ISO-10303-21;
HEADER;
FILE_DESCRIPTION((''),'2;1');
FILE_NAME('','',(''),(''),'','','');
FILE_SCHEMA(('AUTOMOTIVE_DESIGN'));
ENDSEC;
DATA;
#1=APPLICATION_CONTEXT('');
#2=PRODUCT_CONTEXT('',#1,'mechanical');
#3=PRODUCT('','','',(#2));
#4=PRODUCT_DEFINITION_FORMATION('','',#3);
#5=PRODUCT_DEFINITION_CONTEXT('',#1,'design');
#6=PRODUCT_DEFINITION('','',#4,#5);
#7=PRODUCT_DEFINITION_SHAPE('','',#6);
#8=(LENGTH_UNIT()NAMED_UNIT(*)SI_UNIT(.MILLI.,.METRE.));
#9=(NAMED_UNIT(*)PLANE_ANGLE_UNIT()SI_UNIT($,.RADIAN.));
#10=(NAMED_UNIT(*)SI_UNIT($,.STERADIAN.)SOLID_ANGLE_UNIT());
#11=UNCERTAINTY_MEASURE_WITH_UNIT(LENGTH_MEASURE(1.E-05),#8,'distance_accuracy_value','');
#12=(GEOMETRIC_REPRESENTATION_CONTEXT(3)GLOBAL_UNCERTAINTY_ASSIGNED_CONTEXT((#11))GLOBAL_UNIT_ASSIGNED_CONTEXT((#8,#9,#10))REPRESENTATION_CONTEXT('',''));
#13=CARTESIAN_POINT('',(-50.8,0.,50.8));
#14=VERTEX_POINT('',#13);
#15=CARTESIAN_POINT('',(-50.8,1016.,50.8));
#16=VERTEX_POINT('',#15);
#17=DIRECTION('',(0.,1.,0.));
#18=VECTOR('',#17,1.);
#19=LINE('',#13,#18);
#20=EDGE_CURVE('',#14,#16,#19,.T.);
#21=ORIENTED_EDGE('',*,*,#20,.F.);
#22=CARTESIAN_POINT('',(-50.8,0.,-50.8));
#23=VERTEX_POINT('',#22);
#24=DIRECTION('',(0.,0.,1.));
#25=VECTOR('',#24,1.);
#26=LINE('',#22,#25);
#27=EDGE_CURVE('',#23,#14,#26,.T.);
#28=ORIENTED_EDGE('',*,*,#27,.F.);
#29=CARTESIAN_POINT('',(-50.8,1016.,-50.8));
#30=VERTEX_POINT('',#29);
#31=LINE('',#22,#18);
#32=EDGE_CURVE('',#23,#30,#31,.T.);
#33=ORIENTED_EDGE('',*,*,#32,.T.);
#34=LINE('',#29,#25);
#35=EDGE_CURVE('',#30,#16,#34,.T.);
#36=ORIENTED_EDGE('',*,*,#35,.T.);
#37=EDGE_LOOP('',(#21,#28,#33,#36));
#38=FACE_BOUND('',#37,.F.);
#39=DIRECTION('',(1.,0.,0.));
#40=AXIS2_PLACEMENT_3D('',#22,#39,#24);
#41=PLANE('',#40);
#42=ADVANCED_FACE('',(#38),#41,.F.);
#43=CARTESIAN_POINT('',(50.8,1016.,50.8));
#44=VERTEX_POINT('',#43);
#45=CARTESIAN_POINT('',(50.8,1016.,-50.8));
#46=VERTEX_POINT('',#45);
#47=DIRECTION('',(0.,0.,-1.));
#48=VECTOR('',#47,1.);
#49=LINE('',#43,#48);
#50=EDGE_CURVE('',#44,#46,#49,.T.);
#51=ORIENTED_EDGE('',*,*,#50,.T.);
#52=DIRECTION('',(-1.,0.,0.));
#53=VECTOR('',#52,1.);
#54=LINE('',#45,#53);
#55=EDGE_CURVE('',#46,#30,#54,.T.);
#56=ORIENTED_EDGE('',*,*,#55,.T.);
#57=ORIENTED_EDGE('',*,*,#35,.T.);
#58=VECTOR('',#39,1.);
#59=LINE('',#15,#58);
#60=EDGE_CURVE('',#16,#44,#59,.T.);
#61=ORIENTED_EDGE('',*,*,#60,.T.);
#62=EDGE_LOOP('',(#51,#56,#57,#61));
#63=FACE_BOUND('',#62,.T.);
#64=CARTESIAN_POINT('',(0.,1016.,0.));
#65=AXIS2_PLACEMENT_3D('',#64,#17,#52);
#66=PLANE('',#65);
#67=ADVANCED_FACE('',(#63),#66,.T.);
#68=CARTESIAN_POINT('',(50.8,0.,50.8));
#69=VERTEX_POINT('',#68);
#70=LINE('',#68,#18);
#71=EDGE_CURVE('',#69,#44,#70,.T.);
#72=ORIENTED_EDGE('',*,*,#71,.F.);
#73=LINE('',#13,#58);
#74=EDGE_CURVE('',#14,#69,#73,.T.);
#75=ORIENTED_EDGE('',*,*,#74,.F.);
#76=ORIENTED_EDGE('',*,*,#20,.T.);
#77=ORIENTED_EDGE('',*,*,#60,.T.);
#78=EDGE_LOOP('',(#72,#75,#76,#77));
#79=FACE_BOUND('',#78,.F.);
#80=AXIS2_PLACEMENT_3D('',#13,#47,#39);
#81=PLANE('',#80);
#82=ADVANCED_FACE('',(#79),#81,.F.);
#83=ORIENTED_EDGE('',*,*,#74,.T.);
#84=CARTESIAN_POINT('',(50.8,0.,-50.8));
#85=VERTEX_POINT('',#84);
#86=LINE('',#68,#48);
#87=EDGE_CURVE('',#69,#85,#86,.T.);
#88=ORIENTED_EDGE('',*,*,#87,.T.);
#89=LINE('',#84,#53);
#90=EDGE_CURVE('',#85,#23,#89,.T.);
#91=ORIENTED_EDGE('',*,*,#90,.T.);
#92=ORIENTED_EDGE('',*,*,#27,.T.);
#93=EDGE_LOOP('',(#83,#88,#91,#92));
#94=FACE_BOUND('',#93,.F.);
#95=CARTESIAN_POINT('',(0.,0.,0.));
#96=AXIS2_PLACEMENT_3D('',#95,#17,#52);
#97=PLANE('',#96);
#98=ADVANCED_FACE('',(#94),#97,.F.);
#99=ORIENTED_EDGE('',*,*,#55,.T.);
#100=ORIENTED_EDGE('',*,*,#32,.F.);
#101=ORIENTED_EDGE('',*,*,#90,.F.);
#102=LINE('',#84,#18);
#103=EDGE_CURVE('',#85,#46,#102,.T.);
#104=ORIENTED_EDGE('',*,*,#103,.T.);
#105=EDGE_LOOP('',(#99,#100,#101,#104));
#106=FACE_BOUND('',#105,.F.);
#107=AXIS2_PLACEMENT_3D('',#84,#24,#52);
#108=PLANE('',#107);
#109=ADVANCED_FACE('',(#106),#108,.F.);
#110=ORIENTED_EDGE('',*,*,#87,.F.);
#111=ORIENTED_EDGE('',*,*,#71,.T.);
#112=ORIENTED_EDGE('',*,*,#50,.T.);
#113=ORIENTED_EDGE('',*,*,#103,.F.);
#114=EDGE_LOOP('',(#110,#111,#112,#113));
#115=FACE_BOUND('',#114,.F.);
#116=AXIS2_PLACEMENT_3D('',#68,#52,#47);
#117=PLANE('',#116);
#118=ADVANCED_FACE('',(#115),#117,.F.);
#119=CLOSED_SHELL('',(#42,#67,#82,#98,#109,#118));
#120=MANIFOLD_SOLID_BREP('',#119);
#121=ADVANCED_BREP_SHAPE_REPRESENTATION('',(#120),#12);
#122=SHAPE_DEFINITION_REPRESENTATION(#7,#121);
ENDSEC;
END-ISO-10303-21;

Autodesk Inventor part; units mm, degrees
ref_plane "YZ Plane" through (0, 0, 0) normal (1, 0, 0) x (0, 1, 0)
ref_plane "XZ Plane" through (0, 0, 0) normal (0, 1, 0) x (-1, 0, 0)
ref_plane "XY Plane" through (0, 0, 0) normal (0, 0, 1) x (1, 0, 0)
sketch "Sketch1" plane through (0, 0, 0) normal (0, 1, 0) x (-1, 0, 0)
  line L0 (-50.8, 50.8) -> (-50.8, -50.8)
  line L1 (-50.8, -50.8) -> (50.8, -50.8)
  line L2 (50.8, -50.8) -> (50.8, 50.8)
  line L3 (50.8, 50.8) -> (-50.8, 50.8)
  line L4 (-50.8, 50.8) -> (50.8, -50.8) construction
  line L5 (-50.8, -50.8) -> (50.8, 50.8) construction
  point P0 (0, 0)
  dimension "d0" = 101.6
  dimension "d1" = 101.6
extrude "Extrusion1" add sketch "Sketch1" along normal blind 1016
sketch "Sketch2" plane through (0, 1016, 0) normal (0, 1, 0) x (1, 0, 0)
  line L0 (50.8, 50.8) -> (-50.8, 50.8) projected
  line L1 (50.8, -50.8) -> (-50.8, -50.8)
  line L2 (-50.8, -50.8) -> (-50.8, 50.8)
  line L3 (-50.8, 50.8) -> (50.8, 50.8)
  line L4 (50.8, 50.8) -> (50.8, -50.8)
  line L5 (50.8, -50.8) -> (-50.8, 50.8) construction
  line L6 (-50.8, -50.8) -> (50.8, 50.8) construction
  point P0 (0, 0)
properties part number "4x4x40" material "Wood (Birch)"
